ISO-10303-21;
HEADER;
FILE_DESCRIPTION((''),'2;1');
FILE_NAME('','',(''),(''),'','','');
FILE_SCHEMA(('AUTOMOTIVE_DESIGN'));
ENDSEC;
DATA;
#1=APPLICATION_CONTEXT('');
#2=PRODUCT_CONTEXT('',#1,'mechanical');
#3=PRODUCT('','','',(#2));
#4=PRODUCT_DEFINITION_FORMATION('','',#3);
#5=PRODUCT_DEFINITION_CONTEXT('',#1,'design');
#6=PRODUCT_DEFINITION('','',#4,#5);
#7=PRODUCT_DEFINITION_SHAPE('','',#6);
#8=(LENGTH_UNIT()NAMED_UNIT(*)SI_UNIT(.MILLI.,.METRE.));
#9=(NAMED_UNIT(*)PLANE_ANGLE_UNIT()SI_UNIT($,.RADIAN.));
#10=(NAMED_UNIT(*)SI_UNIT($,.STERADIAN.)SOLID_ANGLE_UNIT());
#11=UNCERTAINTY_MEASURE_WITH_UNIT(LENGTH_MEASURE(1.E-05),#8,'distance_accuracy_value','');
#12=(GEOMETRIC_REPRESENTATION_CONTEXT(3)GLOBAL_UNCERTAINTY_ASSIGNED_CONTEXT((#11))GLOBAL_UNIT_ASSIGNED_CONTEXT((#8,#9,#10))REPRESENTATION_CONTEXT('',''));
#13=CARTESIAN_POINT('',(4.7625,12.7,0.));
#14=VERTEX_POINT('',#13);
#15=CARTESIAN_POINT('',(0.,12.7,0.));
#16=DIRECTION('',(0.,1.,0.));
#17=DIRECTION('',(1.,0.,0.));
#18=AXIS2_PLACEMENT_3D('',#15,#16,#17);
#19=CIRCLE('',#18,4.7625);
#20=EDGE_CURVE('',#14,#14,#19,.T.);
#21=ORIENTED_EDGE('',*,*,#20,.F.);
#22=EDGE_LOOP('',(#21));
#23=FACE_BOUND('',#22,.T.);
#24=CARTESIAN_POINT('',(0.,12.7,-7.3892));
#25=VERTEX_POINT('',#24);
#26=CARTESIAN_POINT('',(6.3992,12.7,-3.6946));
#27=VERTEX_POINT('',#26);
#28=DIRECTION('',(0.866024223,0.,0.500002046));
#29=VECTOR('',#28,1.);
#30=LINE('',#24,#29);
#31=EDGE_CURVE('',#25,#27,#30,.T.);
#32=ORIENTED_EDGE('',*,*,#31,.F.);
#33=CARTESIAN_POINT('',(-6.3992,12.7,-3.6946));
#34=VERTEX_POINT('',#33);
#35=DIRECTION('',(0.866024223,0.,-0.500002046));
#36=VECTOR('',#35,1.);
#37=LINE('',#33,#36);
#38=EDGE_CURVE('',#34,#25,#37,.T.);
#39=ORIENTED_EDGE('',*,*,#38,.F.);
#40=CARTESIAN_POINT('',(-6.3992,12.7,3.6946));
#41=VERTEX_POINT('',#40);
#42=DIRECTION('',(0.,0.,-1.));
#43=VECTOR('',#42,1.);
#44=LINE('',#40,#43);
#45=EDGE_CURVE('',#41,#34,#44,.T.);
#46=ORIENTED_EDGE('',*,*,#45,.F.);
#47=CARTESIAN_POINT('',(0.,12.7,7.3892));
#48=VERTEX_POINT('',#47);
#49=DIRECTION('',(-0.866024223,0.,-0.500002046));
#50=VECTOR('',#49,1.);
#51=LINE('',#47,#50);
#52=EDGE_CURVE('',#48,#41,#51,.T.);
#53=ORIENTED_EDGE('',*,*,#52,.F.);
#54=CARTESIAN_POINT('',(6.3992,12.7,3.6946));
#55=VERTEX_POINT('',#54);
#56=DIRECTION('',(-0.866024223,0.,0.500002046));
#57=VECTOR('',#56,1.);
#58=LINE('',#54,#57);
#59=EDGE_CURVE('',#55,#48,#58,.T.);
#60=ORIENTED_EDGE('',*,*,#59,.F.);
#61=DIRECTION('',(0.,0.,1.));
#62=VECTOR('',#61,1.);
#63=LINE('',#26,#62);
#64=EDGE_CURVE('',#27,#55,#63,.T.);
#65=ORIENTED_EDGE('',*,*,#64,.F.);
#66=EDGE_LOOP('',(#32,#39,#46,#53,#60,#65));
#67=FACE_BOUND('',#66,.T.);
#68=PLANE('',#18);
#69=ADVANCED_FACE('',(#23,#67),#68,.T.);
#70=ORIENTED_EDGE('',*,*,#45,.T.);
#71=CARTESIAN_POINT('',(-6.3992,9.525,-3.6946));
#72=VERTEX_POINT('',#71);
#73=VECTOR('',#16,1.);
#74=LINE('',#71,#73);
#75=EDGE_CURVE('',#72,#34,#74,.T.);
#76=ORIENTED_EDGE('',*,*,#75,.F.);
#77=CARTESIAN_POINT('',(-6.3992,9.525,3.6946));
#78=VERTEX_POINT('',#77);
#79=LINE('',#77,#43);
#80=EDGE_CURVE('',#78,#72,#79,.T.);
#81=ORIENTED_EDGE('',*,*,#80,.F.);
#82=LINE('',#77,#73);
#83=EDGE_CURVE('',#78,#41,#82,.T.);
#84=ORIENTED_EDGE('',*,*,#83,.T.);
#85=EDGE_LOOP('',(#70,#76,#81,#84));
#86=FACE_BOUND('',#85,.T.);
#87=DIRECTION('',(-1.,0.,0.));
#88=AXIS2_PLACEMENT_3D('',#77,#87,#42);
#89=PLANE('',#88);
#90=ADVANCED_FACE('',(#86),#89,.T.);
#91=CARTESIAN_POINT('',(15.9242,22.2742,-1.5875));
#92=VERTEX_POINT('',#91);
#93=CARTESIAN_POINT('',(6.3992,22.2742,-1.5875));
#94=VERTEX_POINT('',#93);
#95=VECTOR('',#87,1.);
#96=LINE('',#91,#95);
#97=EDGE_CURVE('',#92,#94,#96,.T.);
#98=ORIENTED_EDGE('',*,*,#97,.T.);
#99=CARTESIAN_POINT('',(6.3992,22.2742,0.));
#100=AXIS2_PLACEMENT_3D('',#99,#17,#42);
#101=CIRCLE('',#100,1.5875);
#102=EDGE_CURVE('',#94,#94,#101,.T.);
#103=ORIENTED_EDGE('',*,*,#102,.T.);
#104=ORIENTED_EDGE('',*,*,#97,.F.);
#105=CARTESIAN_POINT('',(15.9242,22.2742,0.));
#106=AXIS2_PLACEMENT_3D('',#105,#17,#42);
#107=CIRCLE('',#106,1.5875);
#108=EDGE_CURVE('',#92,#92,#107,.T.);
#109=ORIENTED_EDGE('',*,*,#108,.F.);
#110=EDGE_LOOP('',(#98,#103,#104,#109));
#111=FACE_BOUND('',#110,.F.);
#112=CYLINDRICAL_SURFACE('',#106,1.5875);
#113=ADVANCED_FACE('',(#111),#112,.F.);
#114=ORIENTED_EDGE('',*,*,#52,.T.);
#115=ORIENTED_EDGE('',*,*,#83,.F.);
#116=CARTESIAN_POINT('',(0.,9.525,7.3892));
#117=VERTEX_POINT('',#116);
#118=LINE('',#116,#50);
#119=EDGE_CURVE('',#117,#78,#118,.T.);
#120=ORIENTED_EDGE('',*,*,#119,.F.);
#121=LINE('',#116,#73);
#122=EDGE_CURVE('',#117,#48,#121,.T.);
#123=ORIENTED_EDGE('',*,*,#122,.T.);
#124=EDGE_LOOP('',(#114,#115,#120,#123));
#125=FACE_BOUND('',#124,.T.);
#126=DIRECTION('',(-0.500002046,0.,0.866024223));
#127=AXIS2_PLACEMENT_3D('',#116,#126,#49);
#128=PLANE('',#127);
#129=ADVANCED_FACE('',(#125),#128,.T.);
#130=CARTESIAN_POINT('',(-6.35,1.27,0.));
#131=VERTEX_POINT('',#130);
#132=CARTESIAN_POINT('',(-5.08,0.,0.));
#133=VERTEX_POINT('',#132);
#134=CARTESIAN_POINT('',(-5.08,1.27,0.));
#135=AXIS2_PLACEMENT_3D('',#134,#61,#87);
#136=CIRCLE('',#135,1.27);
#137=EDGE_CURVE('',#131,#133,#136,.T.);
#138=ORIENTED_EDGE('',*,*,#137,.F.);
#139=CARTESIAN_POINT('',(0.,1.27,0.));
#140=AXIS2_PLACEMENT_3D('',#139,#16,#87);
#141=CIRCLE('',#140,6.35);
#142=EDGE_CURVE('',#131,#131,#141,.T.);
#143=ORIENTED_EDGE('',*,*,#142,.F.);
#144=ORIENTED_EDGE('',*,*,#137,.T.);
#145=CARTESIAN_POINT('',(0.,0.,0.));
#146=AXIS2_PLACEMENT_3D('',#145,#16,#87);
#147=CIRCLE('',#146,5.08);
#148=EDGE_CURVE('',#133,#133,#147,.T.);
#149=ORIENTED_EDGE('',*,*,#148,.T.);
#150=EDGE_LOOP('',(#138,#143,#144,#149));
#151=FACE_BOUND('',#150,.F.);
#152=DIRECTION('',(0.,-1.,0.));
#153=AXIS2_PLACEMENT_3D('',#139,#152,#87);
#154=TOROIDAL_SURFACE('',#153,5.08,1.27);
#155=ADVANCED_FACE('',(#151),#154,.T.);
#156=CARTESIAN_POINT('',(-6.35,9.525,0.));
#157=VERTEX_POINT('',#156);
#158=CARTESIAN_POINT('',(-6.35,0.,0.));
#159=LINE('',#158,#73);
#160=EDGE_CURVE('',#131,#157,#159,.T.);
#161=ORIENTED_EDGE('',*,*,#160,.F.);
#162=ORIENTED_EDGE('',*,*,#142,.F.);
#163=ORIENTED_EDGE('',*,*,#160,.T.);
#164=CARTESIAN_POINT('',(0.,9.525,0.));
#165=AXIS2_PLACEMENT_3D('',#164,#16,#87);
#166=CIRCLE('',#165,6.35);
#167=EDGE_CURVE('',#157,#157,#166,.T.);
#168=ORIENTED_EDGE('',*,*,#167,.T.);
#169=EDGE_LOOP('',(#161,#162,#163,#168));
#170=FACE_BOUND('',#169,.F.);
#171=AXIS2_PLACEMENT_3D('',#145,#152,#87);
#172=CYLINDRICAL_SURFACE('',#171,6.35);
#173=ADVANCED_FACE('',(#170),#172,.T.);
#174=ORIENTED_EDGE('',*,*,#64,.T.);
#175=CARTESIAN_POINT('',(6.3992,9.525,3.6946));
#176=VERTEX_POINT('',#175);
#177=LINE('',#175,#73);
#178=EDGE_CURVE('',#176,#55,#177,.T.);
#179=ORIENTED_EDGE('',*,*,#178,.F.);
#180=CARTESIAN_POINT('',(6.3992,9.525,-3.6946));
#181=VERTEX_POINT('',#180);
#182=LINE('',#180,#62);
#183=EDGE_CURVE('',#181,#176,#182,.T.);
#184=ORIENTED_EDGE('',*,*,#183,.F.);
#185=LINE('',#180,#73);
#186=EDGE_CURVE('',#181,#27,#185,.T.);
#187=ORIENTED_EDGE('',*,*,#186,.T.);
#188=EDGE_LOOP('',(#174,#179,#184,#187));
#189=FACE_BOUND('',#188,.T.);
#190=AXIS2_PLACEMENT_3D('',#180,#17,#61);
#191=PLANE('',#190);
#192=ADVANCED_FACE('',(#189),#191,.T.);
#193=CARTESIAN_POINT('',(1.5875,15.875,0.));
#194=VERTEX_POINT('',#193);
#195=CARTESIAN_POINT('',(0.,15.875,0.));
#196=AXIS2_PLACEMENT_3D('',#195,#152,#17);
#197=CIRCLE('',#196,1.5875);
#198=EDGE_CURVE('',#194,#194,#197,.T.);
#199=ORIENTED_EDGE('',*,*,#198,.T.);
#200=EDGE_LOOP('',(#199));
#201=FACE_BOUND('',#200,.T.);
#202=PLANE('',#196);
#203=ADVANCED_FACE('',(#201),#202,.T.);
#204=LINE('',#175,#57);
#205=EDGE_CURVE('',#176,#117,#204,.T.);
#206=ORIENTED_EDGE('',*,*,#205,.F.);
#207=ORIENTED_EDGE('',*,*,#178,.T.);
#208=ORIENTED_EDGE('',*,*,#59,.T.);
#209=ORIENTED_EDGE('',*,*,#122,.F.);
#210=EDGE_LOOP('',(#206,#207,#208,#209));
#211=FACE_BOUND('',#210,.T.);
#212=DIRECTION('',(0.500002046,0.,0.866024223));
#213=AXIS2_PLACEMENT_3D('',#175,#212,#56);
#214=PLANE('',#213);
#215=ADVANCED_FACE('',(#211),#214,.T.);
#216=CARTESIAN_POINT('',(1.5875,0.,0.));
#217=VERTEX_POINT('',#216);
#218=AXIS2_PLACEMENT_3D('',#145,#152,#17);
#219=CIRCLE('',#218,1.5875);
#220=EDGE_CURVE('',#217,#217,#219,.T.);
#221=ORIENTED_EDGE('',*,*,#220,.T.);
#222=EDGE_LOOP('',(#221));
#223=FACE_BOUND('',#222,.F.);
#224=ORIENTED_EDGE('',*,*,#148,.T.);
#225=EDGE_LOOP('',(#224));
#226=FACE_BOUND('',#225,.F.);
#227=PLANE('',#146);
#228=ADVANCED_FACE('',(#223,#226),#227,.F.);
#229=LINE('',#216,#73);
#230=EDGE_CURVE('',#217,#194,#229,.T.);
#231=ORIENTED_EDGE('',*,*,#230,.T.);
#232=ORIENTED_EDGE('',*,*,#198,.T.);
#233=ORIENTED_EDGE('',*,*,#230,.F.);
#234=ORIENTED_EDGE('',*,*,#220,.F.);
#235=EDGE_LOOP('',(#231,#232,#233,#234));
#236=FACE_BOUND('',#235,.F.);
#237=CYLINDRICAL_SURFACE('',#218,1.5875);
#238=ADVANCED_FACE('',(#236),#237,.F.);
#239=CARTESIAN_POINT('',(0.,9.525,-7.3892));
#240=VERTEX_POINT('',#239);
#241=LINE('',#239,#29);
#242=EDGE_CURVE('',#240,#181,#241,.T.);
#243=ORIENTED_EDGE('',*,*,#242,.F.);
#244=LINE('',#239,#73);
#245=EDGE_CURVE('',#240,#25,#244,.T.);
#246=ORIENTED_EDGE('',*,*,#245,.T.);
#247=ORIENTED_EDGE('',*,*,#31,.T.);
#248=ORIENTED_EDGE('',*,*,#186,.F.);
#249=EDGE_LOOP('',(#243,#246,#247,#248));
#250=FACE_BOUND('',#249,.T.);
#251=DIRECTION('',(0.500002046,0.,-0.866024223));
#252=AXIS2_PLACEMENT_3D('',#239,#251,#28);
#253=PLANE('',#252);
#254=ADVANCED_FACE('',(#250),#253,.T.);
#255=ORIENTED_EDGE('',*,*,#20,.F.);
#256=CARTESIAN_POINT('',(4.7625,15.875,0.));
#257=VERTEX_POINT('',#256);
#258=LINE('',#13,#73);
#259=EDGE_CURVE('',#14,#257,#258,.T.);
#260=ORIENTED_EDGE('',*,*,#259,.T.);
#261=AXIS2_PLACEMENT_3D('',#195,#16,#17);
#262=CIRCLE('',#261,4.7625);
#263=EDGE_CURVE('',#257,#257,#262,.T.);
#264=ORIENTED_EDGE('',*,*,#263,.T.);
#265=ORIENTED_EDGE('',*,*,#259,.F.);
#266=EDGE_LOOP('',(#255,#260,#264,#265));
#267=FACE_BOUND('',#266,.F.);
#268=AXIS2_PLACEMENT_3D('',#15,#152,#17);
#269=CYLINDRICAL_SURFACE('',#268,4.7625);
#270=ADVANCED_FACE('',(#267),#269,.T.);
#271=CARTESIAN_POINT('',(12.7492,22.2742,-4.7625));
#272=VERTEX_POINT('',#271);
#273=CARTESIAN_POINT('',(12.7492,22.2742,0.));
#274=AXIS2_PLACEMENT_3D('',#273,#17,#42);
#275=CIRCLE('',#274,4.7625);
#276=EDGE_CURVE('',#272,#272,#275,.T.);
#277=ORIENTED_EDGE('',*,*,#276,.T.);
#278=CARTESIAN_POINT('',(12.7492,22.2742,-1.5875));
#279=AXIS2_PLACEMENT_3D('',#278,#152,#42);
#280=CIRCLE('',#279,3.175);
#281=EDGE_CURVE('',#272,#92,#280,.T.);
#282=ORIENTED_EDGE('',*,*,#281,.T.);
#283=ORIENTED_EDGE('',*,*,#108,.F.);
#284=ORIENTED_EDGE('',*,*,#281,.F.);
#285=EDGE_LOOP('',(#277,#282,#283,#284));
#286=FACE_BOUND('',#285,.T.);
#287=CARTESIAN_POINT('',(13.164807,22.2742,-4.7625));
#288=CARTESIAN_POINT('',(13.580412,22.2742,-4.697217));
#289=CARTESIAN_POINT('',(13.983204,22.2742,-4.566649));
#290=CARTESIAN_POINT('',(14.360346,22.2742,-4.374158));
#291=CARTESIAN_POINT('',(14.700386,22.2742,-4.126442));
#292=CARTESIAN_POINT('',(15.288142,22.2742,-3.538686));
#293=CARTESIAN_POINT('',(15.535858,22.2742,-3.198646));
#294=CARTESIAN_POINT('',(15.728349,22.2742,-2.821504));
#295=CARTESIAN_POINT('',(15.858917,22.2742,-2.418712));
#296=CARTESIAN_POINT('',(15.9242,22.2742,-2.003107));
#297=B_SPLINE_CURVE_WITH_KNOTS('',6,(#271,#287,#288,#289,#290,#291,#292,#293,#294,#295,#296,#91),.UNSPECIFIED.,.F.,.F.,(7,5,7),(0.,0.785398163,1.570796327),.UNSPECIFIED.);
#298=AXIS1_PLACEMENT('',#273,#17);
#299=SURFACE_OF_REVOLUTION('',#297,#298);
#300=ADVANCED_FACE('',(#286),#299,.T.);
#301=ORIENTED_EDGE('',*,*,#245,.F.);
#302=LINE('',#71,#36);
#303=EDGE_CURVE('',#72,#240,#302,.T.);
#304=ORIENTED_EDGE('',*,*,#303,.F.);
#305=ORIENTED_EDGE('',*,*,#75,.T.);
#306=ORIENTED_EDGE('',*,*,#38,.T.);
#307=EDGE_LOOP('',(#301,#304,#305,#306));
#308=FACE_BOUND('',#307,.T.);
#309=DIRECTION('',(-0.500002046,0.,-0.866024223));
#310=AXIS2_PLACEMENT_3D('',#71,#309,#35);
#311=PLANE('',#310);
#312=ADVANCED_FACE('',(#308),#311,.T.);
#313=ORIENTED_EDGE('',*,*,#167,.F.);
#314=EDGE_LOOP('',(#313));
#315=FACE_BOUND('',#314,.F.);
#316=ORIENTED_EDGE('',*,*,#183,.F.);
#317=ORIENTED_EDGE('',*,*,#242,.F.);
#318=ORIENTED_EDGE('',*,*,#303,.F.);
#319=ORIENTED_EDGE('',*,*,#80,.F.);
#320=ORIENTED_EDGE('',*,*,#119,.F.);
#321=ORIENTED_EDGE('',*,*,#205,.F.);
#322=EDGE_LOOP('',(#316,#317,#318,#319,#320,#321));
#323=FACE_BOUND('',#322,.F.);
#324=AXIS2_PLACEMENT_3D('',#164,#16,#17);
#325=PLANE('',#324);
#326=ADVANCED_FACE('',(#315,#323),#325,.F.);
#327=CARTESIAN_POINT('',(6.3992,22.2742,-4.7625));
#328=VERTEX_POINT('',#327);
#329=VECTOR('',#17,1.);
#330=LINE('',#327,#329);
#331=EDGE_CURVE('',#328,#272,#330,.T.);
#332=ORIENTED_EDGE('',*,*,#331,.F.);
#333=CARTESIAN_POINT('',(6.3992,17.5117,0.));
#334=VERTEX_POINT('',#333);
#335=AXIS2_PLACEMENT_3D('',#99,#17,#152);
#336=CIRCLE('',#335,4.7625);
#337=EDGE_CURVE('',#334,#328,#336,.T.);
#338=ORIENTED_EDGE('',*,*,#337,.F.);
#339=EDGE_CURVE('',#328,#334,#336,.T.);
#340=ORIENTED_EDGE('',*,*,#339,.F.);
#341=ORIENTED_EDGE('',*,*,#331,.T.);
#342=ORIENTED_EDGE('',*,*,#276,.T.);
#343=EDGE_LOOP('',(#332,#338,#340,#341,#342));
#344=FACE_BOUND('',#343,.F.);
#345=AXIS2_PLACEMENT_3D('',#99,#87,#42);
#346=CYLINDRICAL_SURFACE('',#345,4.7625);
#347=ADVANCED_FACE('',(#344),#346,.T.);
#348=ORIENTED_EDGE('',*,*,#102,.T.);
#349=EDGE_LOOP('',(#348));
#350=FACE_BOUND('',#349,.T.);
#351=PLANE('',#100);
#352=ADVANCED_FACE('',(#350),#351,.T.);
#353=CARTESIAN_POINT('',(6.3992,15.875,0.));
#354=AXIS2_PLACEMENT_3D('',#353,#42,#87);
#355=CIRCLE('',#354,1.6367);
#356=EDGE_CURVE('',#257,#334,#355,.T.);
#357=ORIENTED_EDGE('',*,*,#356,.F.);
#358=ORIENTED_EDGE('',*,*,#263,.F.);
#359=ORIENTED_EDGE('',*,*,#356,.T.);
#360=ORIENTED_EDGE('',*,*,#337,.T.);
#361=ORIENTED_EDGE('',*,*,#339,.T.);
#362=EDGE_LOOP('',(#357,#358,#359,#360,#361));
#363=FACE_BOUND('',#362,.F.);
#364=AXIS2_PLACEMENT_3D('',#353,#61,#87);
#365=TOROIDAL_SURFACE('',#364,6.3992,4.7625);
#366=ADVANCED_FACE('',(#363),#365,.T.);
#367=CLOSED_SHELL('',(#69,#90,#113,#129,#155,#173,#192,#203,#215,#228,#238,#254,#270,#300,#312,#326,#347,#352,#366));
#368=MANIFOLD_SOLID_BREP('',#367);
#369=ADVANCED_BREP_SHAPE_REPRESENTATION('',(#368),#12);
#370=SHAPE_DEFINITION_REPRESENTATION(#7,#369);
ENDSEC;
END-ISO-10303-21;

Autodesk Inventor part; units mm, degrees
ref_plane "YZ Plane" through (0, 0, 0) normal (1, 0, 0) x (0, 1, 0)
ref_plane "XZ Plane" through (0, 0, 0) normal (0, 1, 0) x (-1, 0, 0)
ref_plane "XY Plane" through (0, 0, 0) normal (0, 0, 1) x (1, 0, 0)
sketch "Sketch1" plane through (0, 0, 0) normal (0, 1, 0) x (-1, 0, 0)
  circle A0 centre (0, 0) radius 6.35
  dimension "d0" = 12.7
extrude "Extrusion1" add sketch "Sketch1" along normal blind 9.525
sketch "Sketch2" plane through (0, 9.525, 0) normal (0, 1, 0) x (1, 0, 0)
  line L0 (0, 7.3892) -> (6.3992, 3.6946)
  line L1 (6.3992, 3.6946) -> (6.3992, -3.6946)
  line L2 (6.3992, -3.6946) -> (0, -7.3892)
  line L3 (0, -7.3892) -> (-6.3992, -3.6946)
  line L4 (-6.3992, -3.6946) -> (-6.3992, 3.6946)
  line L5 (-6.3992, 3.6946) -> (0, 7.3892)
  point P0 (0, 0)
  point P1 (0, 0)
extrude "Extrusion2" add sketch "Sketch2" along normal blind 3.175
thread "Thread1" size "1/2-13 UNC" class "2A" standard "ANSI Unified Screw Threads" full length
sketch "Sketch3" plane through (0, 12.7, 0) normal (0, 1, 0) x (1, 0, 0)
  circle A0 centre (0, 0) radius 4.7625
  dimension "d7" = 9.525
extrude "Extrusion3" add sketch "Sketch3" along normal blind 3.175
sketch "Sketch4" plane through (0, 15.875, 0) normal (0, 1, 0) x (1, 0, 0)
  circle A0 centre (0, 0) radius 4.7625
  line L0 (6.3992, -10.3449) -> (6.3992, 10.3449) projected
revolve "Revolution1" add sketch "Sketch4" angle 90 about axis through (6.3992, 15.875, 3.6946) along (0, 0, -1)
sketch "Sketch5" plane through (6.3992, 22.2742, 0) normal (1, 0, 0) x (0, 0, -1)
  circle A0 centre (0, 0) radius 4.7625 projected
  circle A1 centre (0, 0) radius 4.7625
  point P0 (0, -22.2742)
extrude "Extrusion4" add sketch "Sketch5" along normal blind 9.525
fillet "Fillet1" radius 3.175 1 edges at (15.9242, 22.2742, 4.7625)
sketch "Sketch6" plane through (15.9242, 22.2742, 0) normal (1, 0, 0) x (0, 0, -1)
  circle A0 centre (0, 0) radius 1.5875
  point P0 (0, -22.2742)
extrude "Extrusion5" cut sketch "Sketch6" against normal blind 9.525
sketch "Sketch7" plane through (0, 0, 0) normal (0, -1, 0) x (1, 0, 0)
  circle A0 centre (0, 0) radius 1.5875
  dimension "d16" = 3.175
extrude "Extrusion6" cut sketch "Sketch7" against normal blind 15.875
fillet "Fillet2" radius 1.27 1 edges at (6.35, 0, 0)
properties part number "Threaded Elbow"
